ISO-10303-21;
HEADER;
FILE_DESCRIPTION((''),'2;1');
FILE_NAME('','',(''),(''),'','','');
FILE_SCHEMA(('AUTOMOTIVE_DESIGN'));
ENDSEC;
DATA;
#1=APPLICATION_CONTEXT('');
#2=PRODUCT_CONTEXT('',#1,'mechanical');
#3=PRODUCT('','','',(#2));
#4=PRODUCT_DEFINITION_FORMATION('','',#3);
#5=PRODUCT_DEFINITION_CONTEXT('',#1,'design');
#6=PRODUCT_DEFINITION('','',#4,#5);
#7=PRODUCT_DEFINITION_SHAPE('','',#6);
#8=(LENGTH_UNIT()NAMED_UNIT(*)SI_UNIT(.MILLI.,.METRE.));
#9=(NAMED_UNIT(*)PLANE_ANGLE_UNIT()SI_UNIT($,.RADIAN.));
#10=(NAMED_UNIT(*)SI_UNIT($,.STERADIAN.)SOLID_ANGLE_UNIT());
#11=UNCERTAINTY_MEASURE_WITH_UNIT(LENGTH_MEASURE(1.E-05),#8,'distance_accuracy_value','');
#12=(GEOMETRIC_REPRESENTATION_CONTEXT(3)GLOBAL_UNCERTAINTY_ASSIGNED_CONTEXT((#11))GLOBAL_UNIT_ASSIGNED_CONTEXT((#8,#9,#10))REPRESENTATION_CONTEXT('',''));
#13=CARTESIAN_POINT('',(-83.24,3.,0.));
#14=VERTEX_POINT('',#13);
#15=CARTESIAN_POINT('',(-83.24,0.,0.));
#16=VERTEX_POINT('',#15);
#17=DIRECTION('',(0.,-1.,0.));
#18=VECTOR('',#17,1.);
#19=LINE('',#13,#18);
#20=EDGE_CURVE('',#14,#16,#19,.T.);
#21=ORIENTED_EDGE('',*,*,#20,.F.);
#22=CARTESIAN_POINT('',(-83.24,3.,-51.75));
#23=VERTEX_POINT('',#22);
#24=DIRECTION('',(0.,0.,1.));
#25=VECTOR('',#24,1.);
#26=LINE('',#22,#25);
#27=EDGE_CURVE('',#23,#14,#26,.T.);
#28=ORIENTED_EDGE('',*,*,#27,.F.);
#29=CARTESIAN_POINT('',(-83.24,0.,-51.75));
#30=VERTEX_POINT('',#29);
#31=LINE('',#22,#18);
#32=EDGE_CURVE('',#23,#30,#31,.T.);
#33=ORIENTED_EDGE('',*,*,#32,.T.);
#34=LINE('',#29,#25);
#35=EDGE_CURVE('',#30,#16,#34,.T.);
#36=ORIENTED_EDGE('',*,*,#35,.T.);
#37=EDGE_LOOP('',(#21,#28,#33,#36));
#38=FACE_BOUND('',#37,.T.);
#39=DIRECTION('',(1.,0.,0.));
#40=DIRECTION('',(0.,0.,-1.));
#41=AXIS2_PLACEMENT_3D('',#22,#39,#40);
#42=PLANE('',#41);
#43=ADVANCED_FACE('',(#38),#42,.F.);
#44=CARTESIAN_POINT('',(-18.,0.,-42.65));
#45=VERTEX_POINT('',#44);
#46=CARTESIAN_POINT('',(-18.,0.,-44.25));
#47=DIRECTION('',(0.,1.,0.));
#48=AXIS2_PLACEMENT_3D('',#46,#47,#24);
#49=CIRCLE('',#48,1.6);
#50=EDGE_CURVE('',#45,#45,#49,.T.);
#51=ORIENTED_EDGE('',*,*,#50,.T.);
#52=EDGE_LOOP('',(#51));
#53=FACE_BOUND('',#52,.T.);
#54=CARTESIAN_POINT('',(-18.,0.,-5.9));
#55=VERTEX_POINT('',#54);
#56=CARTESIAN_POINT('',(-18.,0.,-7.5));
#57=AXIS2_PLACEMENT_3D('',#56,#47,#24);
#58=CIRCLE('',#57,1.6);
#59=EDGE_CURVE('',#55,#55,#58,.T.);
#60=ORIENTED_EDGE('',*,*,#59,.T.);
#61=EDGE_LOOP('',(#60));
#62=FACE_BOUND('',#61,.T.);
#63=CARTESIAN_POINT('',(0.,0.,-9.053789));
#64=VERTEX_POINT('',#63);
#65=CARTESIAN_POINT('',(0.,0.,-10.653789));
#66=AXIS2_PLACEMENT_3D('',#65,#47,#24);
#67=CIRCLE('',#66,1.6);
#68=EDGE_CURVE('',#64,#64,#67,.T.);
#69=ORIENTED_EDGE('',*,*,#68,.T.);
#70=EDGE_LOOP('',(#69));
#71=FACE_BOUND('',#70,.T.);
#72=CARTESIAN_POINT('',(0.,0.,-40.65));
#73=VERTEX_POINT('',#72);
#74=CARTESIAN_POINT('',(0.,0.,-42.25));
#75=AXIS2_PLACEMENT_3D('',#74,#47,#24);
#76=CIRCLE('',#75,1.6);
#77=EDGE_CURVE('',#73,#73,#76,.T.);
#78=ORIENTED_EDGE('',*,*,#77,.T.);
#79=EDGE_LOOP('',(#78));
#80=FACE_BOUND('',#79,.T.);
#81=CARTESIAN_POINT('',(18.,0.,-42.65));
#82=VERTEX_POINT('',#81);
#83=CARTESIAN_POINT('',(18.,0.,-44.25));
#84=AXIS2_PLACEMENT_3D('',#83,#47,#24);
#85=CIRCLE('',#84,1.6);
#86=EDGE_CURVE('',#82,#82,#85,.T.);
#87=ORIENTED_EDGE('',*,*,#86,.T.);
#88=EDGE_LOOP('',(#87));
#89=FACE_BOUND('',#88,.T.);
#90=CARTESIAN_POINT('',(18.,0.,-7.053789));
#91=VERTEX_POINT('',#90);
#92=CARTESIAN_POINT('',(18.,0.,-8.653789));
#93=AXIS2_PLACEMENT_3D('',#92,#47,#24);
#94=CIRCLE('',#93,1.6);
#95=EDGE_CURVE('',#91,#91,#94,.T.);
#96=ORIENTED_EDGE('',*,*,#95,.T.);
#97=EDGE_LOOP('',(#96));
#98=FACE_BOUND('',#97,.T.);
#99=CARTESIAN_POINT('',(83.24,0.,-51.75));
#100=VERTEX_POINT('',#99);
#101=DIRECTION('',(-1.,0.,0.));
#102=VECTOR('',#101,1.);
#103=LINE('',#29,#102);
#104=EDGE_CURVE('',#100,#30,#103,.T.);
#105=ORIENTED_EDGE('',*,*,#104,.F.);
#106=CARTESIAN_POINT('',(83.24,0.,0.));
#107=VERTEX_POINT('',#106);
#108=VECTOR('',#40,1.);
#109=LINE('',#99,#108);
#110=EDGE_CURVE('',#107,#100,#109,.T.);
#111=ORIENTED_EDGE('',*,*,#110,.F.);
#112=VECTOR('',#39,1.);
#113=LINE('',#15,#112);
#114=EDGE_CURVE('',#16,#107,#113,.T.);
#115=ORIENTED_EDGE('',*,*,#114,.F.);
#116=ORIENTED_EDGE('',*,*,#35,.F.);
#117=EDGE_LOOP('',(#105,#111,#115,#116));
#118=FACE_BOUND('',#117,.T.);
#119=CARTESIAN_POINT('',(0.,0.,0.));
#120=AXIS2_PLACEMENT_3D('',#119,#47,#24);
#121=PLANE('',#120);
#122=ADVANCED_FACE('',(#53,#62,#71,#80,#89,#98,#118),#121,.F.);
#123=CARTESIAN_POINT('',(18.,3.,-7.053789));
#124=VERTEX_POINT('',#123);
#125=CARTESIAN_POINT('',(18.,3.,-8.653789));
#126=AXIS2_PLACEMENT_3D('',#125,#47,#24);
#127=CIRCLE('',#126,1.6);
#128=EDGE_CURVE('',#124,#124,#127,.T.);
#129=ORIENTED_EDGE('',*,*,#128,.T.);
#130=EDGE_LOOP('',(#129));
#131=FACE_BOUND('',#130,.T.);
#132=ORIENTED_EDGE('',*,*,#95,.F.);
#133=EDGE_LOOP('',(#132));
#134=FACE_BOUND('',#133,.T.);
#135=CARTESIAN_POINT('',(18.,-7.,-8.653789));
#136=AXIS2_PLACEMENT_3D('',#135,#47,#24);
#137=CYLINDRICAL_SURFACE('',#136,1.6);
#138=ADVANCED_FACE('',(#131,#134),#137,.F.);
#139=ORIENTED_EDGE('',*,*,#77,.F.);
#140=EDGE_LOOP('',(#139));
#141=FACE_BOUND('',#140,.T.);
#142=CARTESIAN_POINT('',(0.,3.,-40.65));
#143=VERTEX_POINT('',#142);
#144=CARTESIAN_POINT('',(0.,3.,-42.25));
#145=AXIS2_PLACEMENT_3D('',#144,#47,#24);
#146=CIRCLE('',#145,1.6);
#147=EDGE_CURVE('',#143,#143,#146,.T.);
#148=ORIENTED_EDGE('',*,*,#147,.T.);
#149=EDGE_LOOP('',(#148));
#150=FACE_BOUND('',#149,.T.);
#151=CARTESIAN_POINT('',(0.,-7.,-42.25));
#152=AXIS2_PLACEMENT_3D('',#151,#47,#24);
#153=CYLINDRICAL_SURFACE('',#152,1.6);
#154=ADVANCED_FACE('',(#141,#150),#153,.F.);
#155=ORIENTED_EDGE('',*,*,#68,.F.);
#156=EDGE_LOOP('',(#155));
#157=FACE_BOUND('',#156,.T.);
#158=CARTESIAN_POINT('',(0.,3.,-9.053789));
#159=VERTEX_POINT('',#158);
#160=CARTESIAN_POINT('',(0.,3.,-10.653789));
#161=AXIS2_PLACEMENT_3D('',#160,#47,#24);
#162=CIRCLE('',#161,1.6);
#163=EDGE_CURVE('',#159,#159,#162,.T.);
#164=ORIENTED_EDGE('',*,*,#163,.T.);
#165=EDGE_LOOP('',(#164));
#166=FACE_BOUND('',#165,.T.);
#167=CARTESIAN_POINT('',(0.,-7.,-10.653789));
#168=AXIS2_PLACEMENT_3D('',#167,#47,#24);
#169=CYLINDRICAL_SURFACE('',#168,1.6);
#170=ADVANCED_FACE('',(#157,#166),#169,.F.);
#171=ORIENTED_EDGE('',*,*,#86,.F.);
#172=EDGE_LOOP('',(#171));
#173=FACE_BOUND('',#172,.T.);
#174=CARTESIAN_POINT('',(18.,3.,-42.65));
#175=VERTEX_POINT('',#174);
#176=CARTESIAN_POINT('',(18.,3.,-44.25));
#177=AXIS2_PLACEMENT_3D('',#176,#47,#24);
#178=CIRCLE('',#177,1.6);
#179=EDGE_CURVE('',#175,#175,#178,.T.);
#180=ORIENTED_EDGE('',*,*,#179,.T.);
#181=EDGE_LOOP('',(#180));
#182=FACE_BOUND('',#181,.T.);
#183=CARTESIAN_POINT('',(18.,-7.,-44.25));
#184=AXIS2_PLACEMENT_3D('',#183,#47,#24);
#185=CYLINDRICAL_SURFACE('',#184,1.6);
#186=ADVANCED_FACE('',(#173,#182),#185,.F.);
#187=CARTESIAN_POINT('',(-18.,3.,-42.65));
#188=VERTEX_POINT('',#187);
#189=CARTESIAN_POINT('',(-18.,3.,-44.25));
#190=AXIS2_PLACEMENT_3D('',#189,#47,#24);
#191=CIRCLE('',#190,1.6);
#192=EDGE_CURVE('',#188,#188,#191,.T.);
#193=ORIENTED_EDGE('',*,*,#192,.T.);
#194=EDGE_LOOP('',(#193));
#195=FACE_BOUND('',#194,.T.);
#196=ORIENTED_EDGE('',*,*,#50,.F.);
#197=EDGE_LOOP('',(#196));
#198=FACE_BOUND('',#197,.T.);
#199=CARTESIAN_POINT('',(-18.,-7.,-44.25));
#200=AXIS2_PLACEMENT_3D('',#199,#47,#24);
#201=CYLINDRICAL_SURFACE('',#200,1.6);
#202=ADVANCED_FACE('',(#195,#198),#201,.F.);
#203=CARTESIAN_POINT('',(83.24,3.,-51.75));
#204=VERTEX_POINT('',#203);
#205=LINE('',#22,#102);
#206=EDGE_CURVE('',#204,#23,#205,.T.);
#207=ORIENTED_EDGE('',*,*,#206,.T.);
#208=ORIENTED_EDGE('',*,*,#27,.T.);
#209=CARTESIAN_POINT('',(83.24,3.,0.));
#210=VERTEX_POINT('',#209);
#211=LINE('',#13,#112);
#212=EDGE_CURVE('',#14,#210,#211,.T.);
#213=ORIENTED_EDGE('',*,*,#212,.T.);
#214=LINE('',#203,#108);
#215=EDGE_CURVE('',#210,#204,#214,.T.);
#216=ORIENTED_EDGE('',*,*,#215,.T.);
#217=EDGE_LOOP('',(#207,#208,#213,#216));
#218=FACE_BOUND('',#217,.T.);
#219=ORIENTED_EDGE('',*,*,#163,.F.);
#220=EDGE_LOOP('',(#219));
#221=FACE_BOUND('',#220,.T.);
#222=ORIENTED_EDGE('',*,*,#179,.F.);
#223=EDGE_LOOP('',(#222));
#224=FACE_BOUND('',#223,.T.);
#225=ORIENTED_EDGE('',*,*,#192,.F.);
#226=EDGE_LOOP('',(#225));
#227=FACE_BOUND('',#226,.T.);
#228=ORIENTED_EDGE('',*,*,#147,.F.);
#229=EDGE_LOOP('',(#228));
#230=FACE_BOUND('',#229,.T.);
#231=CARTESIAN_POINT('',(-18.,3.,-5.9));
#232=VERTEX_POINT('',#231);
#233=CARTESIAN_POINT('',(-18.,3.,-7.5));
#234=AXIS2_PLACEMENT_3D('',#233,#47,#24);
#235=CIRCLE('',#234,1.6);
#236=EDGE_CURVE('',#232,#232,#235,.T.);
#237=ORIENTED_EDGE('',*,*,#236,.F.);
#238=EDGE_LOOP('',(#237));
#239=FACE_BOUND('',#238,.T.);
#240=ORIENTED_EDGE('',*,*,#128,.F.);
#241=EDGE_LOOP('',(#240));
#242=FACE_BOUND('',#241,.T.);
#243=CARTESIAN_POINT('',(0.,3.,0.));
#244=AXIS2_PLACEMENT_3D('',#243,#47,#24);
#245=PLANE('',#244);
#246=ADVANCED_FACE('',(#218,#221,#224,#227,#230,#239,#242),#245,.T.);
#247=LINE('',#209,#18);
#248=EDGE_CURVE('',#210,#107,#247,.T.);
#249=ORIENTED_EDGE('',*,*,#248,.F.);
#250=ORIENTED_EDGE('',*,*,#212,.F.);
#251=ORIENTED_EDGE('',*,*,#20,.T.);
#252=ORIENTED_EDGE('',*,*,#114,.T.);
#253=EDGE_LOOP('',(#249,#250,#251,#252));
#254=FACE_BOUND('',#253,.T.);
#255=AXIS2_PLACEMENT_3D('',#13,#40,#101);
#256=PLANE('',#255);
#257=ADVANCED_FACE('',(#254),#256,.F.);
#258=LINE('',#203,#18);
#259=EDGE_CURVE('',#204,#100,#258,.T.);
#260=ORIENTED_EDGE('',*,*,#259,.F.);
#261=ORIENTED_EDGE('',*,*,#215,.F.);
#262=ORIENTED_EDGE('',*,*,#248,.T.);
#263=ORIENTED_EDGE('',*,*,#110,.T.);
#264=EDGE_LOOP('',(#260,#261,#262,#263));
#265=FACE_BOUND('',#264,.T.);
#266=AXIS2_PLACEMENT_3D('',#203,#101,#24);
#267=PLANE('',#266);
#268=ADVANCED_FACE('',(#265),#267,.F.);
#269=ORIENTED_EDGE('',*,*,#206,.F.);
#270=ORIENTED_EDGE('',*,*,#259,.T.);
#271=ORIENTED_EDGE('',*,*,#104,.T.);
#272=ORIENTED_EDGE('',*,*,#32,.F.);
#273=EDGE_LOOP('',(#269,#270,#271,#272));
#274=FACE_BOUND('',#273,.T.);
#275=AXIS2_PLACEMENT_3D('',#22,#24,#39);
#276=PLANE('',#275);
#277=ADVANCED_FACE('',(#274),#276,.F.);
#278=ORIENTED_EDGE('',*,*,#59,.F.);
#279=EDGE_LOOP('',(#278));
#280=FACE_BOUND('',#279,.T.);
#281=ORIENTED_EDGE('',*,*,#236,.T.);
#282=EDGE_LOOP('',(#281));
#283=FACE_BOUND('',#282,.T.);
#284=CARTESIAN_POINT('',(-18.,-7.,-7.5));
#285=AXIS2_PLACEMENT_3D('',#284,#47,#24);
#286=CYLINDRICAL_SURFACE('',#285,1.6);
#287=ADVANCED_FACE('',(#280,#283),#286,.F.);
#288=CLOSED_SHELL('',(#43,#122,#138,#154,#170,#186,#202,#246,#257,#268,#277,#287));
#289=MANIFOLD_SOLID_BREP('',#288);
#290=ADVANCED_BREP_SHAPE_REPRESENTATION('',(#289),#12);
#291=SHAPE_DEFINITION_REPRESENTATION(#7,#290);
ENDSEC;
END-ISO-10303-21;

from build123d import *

# Parameters (mm, degrees)
SKETCH_1_W          = 166.48
SKETCH_1_H          = 51.75
EXTRUDE_1_DEPTH     = 3
SKETCH_3_R          = 1.6
CUT_EXTRUDE_2_DEPTH = 10
SKETCH_4_R          = 1.6
CUT_EXTRUDE_3_DEPTH = 10


with BuildPart() as part:
    # 草图1 → 凸台-拉伸1 (new body)
    with BuildSketch(Plane(origin=(0, 0, 0), x_dir=(1, 0, 0), z_dir=(0, 1, 0))):
        with Locations((0, 25.875)):
            Rectangle(SKETCH_1_W, SKETCH_1_H)
    extrude(amount=EXTRUDE_1_DEPTH)

    # 草图3 → 切除-拉伸2 (cut)
    with BuildSketch(Plane(origin=(0, 3, 0), x_dir=(1, 0, 0), z_dir=(0, 1, 0))):
        with Locations(Location((-18, 44.25, 0), (0, 0, 270))):
            Circle(SKETCH_3_R)
        with Locations(Location((0, 42.25, 0), (0, 0, 270))):
            Circle(SKETCH_3_R)
        with Locations(Location((18, 44.25, 0), (0, 0, 270))):
            Circle(SKETCH_3_R)
    extrude(amount=-CUT_EXTRUDE_2_DEPTH, mode=Mode.SUBTRACT)

    # 草图4 → 切除-拉伸3 (cut)
    with BuildSketch(Plane(origin=(0, 3, 0), x_dir=(1, 0, 0), z_dir=(0, 1, 0))):
        with Locations(Location((0, 10.65378949, 0), (0, 0, 270))):
            Circle(SKETCH_4_R)
        with Locations(Location((18, 8.65378949, 0), (0, 0, 270))):
            Circle(SKETCH_4_R)
        with Locations(Location((-18, 7.5, 0), (0, 0, 270))):
            Circle(SKETCH_4_R)
    extrude(amount=-CUT_EXTRUDE_3_DEPTH, mode=Mode.SUBTRACT)


solid = part.part
